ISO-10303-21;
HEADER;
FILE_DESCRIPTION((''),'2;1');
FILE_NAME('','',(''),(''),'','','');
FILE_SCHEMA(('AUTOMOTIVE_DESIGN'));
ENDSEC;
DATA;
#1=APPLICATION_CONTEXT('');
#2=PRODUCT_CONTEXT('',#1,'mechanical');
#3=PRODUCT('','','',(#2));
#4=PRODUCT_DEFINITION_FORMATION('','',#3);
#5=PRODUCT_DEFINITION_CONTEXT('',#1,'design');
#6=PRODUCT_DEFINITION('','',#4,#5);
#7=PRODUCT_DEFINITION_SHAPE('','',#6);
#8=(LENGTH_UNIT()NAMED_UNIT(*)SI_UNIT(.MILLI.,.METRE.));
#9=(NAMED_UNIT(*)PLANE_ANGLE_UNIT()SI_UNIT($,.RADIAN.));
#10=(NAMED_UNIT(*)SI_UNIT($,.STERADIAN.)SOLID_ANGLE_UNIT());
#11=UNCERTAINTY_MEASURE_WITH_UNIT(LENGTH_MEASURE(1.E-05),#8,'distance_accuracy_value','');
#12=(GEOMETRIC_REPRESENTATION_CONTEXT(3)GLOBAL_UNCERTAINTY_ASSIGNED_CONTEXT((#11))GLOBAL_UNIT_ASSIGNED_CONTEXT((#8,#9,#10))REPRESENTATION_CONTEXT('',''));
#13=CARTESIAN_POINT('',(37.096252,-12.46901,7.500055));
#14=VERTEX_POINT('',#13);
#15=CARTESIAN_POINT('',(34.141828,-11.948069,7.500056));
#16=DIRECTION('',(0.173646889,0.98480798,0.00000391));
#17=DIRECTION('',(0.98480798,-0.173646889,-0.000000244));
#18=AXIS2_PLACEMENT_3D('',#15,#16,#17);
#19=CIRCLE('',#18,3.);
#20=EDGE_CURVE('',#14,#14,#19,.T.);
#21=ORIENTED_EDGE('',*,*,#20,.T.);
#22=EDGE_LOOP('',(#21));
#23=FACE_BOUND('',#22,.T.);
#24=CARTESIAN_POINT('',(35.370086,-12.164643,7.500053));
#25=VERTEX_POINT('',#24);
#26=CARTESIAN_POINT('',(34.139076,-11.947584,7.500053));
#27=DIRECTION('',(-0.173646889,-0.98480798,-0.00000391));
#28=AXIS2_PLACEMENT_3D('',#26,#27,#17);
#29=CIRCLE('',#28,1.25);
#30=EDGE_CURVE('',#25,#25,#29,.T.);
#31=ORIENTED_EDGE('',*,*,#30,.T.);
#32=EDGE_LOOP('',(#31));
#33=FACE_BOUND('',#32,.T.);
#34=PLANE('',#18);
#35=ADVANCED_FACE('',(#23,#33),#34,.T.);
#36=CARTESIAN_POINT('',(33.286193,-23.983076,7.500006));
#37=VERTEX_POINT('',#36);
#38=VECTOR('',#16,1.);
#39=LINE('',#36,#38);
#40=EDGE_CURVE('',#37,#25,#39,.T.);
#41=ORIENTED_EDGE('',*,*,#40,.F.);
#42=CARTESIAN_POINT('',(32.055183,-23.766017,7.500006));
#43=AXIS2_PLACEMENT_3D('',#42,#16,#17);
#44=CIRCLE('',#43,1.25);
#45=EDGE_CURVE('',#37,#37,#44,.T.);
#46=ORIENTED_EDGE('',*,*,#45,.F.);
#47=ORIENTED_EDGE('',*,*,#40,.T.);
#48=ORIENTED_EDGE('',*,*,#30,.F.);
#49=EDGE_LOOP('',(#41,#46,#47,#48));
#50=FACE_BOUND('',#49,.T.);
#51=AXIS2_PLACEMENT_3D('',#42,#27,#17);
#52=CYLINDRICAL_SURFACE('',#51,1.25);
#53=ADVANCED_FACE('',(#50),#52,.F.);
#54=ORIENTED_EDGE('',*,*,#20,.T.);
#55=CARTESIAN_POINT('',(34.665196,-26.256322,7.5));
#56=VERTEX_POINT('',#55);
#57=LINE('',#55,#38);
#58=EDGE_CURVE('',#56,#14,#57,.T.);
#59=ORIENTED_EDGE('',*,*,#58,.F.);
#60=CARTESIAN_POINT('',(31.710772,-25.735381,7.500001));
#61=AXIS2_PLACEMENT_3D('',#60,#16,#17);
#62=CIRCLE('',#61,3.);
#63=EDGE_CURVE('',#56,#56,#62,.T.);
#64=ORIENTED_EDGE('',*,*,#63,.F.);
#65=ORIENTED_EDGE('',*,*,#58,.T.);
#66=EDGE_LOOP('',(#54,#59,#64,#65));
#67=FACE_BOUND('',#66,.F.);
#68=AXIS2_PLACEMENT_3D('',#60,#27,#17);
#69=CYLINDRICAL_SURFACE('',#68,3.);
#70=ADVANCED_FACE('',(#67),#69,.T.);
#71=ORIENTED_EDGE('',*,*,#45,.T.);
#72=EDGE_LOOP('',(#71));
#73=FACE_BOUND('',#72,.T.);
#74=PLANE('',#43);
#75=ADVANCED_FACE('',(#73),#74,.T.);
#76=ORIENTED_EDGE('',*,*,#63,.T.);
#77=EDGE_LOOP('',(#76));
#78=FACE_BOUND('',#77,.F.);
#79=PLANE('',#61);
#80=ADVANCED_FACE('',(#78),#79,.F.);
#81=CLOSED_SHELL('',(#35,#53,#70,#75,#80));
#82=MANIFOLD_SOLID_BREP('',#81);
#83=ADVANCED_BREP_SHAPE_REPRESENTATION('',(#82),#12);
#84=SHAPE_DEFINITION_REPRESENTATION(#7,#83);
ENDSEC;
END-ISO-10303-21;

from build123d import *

# Parameters (mm, degrees)
CYLINDER038_R               = 1.25
CYLINDER038_DEPTH           = 14
CYLINDER038_ROLL_ANGLE      = -89.999776
CYLINDER038_PITCH_ANGLE     = 1.4e-05
CYLINDER038_PLACEMENT_ANGLE = -9.999925
CYLINDER027_R               = 3
CYLINDER027_DEPTH           = 14
CYLINDER027_ROLL_ANGLE      = -89.999776
CYLINDER027_PITCH_ANGLE     = 1.4e-05
CYLINDER027_PLACEMENT_ANGLE = -9.999925


with BuildPart() as cylinder038:
    # Cylinder038 → Cylinder038 (new body)
    with BuildSketch(Plane.XY):
        Circle(CYLINDER038_R)
    extrude(amount=CYLINDER038_DEPTH)


with BuildPart() as cylinder038_1:
    # Cylinder038 roll: moved
    add(cylinder038.part.rotate(Axis((0, 0, 0), (1, 0, 0)), CYLINDER038_ROLL_ANGLE))


with BuildPart() as cylinder038_2:
    # Cylinder038 pitch: moved
    add(cylinder038_1.part.rotate(Axis((0, 0, 0), (0, 1, 0)), CYLINDER038_PITCH_ANGLE))


with BuildPart() as cylinder038_3:
    # Cylinder038 placement: moved
    add(cylinder038_2.part.moved(Location((32.055183, -23.766017, 7.500006))).rotate(Axis((32.055183, -23.766017, 7.500006), (0, 0, 1)), CYLINDER038_PLACEMENT_ANGLE))


with BuildPart() as cut032:
    # Cylinder027 → Cylinder027 (new body)
    with BuildSketch(Plane.XY):
        Circle(CYLINDER027_R)
    extrude(amount=CYLINDER027_DEPTH)


with BuildPart() as cut032_1:
    # Cylinder027 roll: moved
    add(cut032.part.rotate(Axis((0, 0, 0), (1, 0, 0)), CYLINDER027_ROLL_ANGLE))


with BuildPart() as cut032_2:
    # Cylinder027 pitch: moved
    add(cut032_1.part.rotate(Axis((0, 0, 0), (0, 1, 0)), CYLINDER027_PITCH_ANGLE))


with BuildPart() as cut032_3:
    # Cylinder027 placement: moved
    add(cut032_2.part.moved(Location((31.710772, -25.735381, 7.500001))).rotate(Axis((31.710772, -25.735381, 7.500001), (0, 0, 1)), CYLINDER027_PLACEMENT_ANGLE))

    # Cut032: cut Cylinder038
    add(cylinder038_3.part, mode=Mode.SUBTRACT)


solid = cut032_3.part
